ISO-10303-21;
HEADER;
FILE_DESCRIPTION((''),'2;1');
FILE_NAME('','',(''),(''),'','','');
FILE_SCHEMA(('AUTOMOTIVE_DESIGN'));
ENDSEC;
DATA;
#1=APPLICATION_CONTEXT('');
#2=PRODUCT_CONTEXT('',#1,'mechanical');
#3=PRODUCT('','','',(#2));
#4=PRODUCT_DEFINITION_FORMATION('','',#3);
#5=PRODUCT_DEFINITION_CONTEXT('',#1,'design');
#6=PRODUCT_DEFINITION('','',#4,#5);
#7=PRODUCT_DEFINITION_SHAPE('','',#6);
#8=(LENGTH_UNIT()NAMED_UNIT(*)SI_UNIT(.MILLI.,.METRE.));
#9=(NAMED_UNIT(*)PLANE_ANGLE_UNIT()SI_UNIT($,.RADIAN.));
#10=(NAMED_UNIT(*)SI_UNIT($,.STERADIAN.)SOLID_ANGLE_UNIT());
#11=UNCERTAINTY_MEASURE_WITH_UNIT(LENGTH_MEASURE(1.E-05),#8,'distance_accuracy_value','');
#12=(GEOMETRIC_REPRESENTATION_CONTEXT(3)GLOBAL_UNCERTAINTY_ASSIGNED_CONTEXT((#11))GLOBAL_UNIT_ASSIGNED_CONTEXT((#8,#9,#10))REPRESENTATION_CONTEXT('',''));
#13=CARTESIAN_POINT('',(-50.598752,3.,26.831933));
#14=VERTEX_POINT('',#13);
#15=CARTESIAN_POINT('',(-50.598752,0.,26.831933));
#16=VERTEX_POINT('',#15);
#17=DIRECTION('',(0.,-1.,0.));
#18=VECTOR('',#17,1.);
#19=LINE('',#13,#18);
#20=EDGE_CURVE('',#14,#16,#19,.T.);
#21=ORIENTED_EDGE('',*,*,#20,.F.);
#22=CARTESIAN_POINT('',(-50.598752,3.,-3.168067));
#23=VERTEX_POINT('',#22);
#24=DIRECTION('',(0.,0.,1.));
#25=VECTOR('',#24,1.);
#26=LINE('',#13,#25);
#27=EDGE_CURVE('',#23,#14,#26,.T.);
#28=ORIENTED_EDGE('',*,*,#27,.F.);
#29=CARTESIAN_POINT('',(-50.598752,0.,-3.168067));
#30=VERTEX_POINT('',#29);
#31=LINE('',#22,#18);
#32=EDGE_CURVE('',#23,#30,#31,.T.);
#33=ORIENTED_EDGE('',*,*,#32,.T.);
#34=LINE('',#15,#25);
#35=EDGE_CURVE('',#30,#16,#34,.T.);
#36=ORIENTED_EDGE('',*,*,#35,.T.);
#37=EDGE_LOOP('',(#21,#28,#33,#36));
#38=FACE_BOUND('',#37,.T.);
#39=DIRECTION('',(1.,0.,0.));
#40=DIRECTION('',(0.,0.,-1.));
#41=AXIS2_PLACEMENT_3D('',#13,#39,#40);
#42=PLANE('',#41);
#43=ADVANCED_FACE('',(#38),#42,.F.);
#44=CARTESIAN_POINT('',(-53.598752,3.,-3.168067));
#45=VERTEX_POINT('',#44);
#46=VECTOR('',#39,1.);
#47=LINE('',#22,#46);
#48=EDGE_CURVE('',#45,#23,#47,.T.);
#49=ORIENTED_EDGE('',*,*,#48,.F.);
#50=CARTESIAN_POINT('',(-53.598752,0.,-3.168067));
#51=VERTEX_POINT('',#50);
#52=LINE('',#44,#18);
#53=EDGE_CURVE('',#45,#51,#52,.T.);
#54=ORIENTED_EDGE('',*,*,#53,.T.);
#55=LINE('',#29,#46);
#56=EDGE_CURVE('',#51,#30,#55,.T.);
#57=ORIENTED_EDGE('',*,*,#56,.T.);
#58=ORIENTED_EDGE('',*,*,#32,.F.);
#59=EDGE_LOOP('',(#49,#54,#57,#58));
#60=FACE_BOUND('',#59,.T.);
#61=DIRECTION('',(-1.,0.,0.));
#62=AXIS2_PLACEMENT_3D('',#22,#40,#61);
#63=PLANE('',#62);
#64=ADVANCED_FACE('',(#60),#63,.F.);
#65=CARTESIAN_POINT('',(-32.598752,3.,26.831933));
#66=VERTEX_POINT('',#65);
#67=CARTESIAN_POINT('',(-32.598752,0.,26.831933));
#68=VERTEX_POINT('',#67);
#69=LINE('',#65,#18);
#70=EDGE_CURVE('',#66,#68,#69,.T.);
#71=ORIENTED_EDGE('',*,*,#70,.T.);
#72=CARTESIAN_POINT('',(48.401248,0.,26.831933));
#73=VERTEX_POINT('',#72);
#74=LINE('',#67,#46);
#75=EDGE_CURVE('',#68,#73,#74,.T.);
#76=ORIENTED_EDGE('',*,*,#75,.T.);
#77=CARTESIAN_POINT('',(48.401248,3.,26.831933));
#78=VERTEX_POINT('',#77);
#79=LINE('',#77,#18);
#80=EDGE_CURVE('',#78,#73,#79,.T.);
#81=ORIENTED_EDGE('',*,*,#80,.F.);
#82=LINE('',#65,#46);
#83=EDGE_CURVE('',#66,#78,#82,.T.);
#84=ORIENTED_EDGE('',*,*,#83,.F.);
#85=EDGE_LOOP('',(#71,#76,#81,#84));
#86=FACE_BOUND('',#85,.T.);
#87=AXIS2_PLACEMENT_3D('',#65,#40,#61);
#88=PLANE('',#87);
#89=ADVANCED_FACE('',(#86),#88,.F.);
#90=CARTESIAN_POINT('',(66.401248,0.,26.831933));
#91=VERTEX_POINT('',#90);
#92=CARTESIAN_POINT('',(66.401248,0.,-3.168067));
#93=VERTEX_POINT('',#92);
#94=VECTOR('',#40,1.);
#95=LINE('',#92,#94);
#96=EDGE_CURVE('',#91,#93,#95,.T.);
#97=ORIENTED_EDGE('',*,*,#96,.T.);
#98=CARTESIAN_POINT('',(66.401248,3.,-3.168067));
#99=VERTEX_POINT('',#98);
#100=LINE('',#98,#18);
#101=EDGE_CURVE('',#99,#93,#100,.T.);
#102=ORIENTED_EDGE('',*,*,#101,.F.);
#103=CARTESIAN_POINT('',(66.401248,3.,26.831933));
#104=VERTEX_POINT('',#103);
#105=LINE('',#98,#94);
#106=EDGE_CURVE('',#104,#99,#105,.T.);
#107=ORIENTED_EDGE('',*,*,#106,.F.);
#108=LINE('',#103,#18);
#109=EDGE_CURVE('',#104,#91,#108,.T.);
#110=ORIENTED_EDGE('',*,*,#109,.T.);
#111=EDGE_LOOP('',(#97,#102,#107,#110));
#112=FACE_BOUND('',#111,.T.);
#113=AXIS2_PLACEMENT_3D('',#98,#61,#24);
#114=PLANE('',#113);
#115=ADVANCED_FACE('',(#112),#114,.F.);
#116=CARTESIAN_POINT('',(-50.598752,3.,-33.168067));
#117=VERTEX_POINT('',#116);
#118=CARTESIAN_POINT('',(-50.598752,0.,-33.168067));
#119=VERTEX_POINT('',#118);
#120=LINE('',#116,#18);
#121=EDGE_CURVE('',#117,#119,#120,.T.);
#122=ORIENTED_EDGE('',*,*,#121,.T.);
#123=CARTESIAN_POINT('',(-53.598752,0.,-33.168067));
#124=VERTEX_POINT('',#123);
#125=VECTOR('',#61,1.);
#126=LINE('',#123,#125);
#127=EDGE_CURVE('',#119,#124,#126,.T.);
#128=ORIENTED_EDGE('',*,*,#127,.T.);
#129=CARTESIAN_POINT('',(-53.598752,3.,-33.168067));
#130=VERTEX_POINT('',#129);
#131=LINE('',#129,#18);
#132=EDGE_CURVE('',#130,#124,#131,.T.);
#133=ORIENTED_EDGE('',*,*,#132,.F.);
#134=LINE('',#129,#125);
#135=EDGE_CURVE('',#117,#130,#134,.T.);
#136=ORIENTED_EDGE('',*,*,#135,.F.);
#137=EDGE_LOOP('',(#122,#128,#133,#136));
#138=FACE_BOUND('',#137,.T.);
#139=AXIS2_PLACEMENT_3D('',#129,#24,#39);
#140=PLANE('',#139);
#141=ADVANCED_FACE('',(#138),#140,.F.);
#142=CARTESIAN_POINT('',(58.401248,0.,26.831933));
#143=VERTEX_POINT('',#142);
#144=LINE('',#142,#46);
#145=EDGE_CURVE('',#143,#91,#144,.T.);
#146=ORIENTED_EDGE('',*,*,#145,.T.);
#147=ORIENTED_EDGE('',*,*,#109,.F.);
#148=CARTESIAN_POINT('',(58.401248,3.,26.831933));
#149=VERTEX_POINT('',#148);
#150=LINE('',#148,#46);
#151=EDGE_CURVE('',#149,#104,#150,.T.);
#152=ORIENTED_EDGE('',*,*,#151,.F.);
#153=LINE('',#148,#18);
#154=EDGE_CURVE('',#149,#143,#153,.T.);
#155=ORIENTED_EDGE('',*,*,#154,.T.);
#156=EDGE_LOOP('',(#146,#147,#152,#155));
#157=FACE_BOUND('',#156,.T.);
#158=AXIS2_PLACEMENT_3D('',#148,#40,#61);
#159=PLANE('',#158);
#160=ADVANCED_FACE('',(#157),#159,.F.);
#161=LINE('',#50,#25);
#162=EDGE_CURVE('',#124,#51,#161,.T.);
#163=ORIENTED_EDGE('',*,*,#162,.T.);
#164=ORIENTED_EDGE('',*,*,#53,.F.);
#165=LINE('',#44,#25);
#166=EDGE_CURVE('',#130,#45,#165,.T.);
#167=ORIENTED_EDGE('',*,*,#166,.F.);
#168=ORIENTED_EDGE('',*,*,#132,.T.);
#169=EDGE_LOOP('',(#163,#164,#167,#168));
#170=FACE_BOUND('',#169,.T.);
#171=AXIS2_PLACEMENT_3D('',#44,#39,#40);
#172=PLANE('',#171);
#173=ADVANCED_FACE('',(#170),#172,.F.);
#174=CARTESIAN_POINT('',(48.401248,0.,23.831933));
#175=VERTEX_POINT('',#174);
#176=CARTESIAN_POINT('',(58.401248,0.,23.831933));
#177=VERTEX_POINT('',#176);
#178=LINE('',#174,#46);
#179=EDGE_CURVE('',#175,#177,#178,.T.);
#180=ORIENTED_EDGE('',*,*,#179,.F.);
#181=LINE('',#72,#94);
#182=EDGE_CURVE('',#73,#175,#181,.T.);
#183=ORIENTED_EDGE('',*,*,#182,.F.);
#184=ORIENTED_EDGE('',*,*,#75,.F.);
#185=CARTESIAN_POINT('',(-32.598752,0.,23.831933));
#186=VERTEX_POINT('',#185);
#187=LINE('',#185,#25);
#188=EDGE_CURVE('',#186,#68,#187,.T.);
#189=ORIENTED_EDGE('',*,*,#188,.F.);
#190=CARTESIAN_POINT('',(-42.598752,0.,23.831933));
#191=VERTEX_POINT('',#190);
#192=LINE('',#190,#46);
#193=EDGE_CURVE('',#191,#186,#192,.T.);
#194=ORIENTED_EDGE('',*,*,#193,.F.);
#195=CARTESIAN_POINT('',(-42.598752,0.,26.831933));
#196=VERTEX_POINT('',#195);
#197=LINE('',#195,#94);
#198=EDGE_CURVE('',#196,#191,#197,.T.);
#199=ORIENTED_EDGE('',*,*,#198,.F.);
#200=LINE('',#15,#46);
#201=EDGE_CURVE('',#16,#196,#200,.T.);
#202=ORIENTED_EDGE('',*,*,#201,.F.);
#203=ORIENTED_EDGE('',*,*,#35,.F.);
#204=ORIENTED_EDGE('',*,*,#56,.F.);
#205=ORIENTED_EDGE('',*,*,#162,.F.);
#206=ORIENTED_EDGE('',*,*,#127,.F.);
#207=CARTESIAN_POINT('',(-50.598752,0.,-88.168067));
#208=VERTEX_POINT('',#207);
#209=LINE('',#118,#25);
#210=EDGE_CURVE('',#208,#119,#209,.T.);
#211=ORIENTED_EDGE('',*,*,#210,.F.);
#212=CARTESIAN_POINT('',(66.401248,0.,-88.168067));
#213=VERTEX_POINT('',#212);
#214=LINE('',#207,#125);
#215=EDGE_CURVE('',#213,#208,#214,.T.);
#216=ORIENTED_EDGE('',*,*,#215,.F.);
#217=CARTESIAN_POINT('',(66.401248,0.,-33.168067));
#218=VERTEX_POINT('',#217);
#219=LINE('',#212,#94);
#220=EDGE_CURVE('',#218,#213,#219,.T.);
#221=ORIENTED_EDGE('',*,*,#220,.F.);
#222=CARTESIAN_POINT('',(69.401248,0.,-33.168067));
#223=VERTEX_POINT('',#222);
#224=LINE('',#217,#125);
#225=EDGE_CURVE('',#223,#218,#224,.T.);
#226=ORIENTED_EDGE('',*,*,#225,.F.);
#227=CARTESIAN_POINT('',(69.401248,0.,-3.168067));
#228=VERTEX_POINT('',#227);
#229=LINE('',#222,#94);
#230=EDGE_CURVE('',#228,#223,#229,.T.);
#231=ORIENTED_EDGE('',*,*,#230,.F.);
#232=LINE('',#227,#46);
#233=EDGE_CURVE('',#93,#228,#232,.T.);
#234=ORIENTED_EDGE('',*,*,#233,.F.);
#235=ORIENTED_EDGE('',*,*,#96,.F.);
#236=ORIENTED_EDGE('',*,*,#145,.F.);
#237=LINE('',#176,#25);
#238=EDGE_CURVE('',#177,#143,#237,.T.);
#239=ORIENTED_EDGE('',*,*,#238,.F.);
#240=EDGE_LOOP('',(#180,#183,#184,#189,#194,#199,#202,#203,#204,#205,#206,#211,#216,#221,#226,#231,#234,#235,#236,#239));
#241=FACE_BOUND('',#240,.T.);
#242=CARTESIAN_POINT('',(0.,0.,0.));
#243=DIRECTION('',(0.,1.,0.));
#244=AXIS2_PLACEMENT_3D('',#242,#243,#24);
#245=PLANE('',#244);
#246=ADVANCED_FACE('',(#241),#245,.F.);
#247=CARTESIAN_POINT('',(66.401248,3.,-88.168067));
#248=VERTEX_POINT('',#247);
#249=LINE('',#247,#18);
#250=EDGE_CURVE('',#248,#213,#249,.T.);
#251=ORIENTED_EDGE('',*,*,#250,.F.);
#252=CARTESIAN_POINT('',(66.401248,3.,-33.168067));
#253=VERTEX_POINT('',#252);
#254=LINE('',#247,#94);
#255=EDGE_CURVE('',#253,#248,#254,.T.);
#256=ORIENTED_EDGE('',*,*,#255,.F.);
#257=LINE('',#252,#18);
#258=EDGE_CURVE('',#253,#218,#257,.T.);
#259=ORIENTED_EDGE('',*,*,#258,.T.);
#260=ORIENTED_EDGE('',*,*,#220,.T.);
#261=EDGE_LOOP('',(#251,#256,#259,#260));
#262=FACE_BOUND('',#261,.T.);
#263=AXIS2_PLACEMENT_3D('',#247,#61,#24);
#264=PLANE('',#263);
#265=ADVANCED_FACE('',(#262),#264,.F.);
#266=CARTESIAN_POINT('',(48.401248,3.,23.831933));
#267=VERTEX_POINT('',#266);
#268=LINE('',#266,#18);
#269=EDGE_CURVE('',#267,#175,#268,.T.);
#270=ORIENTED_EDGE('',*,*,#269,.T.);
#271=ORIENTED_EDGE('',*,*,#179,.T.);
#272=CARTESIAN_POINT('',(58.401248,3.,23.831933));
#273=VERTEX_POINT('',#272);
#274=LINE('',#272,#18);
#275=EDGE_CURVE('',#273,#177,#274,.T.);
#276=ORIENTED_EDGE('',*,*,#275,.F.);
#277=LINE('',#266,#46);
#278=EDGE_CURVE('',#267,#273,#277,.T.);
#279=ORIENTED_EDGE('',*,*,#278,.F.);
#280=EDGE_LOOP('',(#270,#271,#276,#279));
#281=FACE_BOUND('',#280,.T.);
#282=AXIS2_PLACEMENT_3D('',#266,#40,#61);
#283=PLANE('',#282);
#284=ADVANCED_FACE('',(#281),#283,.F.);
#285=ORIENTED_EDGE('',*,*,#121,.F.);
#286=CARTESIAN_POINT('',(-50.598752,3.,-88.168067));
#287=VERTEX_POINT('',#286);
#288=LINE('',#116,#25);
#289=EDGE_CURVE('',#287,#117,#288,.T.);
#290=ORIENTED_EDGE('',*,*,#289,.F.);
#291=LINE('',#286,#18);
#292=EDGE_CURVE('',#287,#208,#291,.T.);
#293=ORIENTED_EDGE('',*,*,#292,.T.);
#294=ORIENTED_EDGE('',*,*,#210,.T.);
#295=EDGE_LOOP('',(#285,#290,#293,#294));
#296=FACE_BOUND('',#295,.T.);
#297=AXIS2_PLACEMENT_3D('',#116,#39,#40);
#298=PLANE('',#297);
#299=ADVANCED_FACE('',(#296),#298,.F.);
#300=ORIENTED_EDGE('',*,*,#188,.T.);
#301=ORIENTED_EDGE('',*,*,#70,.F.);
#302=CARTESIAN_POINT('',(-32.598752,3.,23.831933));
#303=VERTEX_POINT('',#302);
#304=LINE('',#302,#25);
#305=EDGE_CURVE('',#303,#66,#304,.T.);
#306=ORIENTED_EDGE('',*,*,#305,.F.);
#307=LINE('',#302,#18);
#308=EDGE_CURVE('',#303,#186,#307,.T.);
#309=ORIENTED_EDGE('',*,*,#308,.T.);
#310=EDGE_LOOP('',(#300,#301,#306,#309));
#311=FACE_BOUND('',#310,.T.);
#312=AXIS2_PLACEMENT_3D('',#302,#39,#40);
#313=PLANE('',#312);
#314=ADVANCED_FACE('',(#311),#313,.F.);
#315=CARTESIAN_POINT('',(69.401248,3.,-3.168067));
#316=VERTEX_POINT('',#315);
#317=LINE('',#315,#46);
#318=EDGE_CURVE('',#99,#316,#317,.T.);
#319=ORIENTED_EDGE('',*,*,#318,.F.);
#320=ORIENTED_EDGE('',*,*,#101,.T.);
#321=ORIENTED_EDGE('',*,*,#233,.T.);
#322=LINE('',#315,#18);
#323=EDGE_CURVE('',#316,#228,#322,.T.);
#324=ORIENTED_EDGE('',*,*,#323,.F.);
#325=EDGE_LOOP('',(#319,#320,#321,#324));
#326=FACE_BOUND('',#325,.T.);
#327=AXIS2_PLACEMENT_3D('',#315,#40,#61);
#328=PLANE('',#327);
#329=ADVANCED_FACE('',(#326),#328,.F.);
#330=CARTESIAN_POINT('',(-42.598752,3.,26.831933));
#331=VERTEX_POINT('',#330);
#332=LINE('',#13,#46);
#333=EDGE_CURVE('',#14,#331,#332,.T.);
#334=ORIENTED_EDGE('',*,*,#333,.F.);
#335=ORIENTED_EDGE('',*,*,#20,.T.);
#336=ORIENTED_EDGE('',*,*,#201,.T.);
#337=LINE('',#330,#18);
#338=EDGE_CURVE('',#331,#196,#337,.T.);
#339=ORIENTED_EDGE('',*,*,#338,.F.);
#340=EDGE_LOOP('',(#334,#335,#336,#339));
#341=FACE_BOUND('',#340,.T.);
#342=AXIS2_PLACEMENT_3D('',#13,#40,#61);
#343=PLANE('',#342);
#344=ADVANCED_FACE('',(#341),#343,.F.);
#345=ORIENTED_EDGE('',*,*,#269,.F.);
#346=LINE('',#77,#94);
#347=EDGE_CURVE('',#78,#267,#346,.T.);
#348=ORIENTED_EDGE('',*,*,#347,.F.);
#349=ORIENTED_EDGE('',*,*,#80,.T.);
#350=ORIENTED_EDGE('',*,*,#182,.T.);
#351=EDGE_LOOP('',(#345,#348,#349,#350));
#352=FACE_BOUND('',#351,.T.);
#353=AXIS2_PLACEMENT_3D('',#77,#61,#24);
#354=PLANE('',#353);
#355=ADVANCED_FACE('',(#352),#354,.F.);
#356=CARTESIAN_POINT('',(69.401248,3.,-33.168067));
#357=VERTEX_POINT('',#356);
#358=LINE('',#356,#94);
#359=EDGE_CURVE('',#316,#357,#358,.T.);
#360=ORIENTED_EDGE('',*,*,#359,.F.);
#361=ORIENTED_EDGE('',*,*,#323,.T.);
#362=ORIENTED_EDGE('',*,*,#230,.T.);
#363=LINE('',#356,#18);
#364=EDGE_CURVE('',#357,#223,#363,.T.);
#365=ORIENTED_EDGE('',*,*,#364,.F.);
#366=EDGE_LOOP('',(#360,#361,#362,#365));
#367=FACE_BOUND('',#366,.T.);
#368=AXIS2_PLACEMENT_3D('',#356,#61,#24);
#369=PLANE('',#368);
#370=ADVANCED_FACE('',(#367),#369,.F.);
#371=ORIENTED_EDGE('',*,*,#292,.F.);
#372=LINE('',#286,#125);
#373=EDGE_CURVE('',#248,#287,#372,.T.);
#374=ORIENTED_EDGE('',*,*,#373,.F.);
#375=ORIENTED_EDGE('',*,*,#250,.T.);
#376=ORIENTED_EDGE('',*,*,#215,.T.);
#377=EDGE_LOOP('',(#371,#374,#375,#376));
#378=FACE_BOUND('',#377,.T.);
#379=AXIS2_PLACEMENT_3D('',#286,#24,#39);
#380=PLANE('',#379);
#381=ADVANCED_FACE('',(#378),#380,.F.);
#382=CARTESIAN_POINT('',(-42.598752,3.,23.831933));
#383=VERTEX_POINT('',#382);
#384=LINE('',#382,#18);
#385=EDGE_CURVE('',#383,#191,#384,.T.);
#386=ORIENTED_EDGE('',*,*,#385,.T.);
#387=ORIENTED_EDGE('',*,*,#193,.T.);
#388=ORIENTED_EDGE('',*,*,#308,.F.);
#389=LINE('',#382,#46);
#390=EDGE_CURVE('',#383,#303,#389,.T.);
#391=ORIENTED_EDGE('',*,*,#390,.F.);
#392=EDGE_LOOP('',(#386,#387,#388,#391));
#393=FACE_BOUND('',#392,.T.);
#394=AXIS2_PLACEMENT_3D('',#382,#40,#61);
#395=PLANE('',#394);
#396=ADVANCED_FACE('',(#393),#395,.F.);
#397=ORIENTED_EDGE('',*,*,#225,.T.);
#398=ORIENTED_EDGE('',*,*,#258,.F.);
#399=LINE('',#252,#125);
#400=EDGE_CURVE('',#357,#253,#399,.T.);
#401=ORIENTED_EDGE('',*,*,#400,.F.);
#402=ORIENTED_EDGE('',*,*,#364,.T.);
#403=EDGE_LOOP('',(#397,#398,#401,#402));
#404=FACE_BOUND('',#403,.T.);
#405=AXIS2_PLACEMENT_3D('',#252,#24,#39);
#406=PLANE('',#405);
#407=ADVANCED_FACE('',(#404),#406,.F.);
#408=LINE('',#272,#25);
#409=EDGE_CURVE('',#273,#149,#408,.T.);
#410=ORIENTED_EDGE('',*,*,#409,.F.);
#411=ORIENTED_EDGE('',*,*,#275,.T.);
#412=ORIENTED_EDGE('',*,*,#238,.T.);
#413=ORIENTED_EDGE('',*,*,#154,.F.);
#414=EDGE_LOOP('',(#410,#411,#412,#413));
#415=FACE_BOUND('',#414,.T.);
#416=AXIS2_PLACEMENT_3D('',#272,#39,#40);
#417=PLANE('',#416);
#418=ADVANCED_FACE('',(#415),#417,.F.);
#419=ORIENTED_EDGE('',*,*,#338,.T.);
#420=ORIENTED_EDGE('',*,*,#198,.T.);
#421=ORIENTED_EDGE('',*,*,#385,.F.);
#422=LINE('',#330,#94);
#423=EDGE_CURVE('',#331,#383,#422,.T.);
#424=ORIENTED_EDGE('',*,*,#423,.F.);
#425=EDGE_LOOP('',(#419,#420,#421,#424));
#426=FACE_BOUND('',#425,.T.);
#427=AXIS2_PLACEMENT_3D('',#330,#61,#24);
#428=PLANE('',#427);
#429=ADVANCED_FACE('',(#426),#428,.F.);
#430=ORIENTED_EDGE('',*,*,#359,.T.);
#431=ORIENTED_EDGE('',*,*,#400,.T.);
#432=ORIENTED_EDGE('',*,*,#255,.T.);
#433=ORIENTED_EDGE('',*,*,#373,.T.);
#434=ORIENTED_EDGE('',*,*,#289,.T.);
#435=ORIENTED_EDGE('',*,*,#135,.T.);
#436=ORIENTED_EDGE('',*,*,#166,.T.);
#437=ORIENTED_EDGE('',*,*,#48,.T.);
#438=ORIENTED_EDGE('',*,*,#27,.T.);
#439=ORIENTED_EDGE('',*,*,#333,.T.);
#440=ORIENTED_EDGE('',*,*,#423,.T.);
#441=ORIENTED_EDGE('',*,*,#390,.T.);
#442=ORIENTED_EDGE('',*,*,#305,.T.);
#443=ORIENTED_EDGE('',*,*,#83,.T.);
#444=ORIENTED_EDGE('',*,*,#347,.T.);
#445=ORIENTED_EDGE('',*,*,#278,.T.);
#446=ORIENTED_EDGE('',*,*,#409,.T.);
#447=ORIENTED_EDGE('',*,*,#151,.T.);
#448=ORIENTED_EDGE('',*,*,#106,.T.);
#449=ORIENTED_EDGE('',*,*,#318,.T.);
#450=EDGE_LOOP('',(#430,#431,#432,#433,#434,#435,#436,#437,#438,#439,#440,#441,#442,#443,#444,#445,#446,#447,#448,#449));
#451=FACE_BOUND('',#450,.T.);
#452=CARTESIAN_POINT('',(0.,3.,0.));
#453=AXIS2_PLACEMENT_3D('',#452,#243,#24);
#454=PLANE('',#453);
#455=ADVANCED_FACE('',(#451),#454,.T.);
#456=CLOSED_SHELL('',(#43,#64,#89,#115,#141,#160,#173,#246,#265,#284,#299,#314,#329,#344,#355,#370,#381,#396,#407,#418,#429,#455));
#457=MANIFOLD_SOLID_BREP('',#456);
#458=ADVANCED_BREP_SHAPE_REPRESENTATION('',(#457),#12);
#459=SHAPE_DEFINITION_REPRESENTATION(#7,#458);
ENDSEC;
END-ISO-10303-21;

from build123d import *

# Parameters (mm, degrees)
BOSS_EXTRUDE1_DEPTH = 3


with BuildPart() as part:
    # Sketch1 → Boss-Extrude1 (new body)
    with BuildSketch(Plane(origin=(0, 0, 0), x_dir=(1, 0, 0), z_dir=(0, 1, 0))):
        Polygon((-50.598751805, -26.831932773), (-50.598751805, 3.168067227), (-53.598751805, 3.168067227), (-53.598751805, 33.168067227), (-50.598751805, 33.168067227), (-50.598751805, 88.168067227), (66.401248195, 88.168067227), (66.401248195, 33.168067227), (69.401248195, 33.168067227), (69.401248195, 3.168067227), (66.401248195, 3.168067227), (66.401248195, -26.831932773), (58.401248195, -26.831932773), (58.401248195, -23.831932773), (48.401248195, -23.831932773), (48.401248195, -26.831932773), (-32.598751805, -26.831932773), (-32.598751805, -23.831932773), (-42.598751805, -23.831932773), (-42.598751805, -26.831932773), align=None)
    extrude(amount=BOSS_EXTRUDE1_DEPTH)


solid = part.part
